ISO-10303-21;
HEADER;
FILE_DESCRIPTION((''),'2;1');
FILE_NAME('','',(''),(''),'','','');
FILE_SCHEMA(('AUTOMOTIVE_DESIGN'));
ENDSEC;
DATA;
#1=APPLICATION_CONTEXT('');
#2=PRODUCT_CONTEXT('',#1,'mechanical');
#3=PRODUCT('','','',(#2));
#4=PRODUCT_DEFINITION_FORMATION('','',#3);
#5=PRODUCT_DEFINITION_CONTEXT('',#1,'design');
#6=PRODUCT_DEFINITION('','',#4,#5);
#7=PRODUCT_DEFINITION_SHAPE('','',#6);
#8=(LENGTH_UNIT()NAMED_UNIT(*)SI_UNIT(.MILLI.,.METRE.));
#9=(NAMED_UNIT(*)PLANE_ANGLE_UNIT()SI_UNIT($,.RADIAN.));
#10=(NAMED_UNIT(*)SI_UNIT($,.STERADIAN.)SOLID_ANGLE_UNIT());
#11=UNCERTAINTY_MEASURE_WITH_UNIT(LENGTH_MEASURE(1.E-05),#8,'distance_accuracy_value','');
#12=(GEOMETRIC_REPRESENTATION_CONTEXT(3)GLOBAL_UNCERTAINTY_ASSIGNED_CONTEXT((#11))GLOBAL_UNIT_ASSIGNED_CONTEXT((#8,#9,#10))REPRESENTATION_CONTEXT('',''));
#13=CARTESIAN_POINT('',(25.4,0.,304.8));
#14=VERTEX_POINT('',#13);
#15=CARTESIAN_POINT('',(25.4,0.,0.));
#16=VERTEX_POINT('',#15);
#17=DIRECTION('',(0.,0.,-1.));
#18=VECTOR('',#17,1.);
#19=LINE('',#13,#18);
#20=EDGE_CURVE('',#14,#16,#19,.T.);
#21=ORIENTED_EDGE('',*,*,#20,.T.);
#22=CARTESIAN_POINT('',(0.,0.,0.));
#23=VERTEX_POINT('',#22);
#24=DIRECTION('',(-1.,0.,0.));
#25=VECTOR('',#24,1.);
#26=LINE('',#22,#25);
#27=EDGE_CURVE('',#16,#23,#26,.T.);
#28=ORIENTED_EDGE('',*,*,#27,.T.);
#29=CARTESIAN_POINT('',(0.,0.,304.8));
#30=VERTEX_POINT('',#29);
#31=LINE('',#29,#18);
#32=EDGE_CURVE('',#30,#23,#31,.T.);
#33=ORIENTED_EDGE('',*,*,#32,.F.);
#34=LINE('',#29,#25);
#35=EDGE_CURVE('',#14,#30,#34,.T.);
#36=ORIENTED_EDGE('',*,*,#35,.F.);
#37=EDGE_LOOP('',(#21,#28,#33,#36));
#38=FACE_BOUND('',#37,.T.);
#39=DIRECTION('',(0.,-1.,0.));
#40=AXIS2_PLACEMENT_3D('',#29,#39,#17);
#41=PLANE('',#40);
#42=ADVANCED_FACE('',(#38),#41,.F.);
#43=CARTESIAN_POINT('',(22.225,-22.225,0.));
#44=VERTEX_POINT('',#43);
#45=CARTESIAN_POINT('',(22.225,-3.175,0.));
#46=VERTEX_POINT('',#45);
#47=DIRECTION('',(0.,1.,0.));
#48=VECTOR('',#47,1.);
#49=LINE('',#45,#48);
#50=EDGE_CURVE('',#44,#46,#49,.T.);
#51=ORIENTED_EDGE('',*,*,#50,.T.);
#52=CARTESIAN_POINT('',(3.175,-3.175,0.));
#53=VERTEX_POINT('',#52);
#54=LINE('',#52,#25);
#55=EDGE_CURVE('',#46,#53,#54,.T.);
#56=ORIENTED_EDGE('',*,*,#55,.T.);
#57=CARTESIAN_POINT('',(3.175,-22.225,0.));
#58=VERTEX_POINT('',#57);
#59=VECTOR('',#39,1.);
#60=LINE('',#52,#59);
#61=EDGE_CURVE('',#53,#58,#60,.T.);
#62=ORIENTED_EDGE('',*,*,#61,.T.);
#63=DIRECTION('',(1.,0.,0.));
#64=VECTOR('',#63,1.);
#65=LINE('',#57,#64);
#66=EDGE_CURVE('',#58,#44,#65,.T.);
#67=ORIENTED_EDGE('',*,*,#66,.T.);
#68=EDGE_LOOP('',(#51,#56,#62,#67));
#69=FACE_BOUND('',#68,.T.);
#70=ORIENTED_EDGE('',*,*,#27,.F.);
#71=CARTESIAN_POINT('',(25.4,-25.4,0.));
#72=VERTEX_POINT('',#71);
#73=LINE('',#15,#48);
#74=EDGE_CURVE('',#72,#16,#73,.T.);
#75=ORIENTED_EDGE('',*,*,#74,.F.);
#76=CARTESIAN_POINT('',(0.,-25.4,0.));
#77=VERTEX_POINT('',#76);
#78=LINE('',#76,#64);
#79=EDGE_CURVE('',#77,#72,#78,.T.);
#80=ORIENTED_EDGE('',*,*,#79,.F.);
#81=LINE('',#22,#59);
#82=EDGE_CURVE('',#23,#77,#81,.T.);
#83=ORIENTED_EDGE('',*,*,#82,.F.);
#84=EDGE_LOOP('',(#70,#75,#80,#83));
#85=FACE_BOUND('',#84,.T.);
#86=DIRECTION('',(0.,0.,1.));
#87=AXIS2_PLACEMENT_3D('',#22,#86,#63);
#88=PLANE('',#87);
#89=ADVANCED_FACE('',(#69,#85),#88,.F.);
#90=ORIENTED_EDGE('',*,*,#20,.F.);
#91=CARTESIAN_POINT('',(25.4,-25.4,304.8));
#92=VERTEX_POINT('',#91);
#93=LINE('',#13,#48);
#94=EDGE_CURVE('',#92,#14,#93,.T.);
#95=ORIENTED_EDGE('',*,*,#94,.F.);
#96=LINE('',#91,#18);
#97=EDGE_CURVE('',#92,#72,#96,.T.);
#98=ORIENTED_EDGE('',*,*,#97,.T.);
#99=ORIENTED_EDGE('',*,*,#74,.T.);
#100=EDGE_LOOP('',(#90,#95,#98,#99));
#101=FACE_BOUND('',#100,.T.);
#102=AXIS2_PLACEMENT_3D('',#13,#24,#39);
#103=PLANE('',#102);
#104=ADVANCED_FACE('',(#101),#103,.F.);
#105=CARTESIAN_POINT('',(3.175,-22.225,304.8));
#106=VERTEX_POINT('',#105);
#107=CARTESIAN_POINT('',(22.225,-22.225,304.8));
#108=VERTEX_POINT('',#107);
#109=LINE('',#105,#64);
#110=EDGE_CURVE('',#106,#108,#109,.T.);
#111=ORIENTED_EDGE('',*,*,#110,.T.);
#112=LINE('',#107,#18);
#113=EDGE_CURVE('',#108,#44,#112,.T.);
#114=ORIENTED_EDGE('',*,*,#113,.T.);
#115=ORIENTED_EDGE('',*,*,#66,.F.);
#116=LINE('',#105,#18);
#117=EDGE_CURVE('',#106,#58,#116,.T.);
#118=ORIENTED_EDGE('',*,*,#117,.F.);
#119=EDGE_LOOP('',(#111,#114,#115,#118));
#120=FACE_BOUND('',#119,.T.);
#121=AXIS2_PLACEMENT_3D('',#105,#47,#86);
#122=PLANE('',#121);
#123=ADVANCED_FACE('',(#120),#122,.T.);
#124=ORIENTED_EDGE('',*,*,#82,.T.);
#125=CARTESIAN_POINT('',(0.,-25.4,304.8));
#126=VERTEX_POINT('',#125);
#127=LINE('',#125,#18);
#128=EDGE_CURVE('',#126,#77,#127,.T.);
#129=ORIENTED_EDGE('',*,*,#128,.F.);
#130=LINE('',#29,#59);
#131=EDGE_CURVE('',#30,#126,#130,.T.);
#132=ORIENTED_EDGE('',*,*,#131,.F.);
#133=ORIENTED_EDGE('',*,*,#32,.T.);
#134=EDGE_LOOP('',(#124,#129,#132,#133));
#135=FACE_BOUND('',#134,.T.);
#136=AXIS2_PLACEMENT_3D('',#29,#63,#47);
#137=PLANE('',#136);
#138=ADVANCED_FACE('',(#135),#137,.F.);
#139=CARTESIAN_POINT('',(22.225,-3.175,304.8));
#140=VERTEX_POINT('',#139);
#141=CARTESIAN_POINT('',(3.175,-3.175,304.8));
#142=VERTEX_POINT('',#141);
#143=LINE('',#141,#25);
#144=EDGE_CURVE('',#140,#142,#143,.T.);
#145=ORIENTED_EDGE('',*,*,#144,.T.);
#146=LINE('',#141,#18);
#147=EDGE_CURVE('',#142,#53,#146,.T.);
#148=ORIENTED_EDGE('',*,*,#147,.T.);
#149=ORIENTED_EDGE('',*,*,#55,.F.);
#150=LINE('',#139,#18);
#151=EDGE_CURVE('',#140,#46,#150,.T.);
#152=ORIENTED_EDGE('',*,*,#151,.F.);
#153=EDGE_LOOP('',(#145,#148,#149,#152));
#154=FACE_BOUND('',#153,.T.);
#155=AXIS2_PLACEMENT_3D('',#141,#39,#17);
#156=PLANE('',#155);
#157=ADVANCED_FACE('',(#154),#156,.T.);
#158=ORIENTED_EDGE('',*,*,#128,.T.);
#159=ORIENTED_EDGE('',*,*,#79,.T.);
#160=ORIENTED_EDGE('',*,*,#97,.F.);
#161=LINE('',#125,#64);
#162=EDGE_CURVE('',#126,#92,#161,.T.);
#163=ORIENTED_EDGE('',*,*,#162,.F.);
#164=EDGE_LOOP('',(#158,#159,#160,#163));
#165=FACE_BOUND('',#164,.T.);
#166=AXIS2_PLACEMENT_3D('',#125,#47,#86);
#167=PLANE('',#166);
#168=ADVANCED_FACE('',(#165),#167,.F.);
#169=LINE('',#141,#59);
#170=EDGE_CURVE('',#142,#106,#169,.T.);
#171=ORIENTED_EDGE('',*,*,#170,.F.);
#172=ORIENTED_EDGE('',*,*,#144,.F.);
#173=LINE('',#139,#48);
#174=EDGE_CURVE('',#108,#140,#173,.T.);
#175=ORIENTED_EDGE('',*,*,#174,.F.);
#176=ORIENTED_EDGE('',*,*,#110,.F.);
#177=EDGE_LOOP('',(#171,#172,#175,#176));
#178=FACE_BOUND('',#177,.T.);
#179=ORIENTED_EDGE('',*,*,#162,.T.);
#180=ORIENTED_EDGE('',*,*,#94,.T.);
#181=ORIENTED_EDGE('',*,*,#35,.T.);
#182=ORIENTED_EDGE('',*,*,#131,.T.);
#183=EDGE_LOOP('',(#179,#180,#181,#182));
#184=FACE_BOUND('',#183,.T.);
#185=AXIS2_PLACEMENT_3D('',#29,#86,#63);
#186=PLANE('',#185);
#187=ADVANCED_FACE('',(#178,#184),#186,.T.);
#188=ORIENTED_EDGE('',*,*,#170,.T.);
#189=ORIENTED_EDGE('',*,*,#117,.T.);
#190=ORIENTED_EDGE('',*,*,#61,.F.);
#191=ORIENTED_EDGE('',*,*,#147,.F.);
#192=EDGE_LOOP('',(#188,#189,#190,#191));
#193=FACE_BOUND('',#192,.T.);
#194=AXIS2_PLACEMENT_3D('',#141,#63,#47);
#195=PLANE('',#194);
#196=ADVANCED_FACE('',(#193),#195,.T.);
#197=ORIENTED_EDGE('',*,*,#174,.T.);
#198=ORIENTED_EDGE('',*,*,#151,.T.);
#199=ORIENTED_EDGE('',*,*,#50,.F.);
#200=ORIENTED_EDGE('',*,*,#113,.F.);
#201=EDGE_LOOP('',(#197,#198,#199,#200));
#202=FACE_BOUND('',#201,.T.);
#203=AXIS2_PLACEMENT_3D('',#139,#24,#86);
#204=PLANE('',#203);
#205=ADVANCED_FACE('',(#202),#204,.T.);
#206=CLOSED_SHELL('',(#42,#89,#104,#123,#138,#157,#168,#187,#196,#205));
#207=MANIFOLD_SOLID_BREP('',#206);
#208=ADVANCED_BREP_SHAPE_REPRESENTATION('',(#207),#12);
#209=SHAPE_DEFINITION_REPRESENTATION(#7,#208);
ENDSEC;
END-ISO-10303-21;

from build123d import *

# Parameters (mm, degrees)
SKETCH1_W           = 25.4
SKETCH1_H           = 25.4
SKETCH1_W_2         = 19.05
SKETCH1_H_2         = 19.05
BOSS_EXTRUDE1_DEPTH = 304.8


with BuildPart() as part:
    # Sketch1 → Boss-Extrude1 (new body)
    with BuildSketch(Plane.XY):
        with Locations((12.7, -12.7)):
            Rectangle(SKETCH1_W, SKETCH1_H)
        with Locations((12.7, -12.7)):
            Rectangle(SKETCH1_W_2, SKETCH1_H_2, mode=Mode.SUBTRACT)
    extrude(amount=BOSS_EXTRUDE1_DEPTH)


solid = part.part
